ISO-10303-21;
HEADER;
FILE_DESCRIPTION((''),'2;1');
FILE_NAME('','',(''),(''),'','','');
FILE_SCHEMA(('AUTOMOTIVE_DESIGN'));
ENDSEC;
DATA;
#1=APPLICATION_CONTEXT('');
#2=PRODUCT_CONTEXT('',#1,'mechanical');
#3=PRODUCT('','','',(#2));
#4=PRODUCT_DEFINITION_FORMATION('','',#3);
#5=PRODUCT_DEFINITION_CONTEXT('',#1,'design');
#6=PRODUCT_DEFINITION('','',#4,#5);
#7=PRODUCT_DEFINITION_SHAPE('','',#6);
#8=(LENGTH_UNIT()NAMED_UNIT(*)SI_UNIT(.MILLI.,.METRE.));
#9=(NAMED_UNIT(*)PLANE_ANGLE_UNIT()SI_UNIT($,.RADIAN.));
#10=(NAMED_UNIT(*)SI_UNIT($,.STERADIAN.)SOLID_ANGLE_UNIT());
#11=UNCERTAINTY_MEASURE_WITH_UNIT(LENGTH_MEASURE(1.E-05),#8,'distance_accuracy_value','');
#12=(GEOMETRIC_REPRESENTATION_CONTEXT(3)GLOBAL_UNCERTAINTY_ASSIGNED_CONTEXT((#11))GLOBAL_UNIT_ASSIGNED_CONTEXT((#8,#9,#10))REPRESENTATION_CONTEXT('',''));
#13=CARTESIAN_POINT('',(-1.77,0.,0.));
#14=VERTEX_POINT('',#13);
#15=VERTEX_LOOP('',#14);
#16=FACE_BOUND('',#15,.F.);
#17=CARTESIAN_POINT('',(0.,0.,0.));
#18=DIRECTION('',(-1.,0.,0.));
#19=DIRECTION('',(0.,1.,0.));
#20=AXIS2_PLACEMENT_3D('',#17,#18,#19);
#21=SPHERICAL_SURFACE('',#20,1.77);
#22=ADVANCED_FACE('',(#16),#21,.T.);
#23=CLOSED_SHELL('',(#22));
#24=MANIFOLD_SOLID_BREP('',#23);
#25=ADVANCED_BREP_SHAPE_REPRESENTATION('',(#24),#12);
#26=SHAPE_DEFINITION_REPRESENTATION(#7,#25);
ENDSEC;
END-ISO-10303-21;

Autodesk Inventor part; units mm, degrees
sketch "Sketch_1" plane through (0, 0, 0) normal (0, 0, 1) x (1, 0, 0)
  line L0 (1.77, 0) -> (-1.77, 0)
  arc A0 (1.77, 0) -> (-1.77, 0) centre (0, 0) ccw
  line L1 (1.77, 0) -> (-1.77, 0)
revolve "Revolution1" add sketch "Sketch_1" angle 360 about axis through (1.77, 0, 0) along (1, 0, 0)
ref_plane "dgbb_ball_XY" through (0, 0, 0) normal (1, 0, 0) x (0, 0, -1)
ref_plane "dgbb_ball_YZ" through (0, 0, 0) normal (0, 0, -1) x (0, 1, 0)
ref_plane "dgbb_ball_ZX" through (0, 0, 0) normal (0, 1, 0) x (1, 0, 0)
properties part number "6900ZZ Ball" material "鉄、鋳鉄"
